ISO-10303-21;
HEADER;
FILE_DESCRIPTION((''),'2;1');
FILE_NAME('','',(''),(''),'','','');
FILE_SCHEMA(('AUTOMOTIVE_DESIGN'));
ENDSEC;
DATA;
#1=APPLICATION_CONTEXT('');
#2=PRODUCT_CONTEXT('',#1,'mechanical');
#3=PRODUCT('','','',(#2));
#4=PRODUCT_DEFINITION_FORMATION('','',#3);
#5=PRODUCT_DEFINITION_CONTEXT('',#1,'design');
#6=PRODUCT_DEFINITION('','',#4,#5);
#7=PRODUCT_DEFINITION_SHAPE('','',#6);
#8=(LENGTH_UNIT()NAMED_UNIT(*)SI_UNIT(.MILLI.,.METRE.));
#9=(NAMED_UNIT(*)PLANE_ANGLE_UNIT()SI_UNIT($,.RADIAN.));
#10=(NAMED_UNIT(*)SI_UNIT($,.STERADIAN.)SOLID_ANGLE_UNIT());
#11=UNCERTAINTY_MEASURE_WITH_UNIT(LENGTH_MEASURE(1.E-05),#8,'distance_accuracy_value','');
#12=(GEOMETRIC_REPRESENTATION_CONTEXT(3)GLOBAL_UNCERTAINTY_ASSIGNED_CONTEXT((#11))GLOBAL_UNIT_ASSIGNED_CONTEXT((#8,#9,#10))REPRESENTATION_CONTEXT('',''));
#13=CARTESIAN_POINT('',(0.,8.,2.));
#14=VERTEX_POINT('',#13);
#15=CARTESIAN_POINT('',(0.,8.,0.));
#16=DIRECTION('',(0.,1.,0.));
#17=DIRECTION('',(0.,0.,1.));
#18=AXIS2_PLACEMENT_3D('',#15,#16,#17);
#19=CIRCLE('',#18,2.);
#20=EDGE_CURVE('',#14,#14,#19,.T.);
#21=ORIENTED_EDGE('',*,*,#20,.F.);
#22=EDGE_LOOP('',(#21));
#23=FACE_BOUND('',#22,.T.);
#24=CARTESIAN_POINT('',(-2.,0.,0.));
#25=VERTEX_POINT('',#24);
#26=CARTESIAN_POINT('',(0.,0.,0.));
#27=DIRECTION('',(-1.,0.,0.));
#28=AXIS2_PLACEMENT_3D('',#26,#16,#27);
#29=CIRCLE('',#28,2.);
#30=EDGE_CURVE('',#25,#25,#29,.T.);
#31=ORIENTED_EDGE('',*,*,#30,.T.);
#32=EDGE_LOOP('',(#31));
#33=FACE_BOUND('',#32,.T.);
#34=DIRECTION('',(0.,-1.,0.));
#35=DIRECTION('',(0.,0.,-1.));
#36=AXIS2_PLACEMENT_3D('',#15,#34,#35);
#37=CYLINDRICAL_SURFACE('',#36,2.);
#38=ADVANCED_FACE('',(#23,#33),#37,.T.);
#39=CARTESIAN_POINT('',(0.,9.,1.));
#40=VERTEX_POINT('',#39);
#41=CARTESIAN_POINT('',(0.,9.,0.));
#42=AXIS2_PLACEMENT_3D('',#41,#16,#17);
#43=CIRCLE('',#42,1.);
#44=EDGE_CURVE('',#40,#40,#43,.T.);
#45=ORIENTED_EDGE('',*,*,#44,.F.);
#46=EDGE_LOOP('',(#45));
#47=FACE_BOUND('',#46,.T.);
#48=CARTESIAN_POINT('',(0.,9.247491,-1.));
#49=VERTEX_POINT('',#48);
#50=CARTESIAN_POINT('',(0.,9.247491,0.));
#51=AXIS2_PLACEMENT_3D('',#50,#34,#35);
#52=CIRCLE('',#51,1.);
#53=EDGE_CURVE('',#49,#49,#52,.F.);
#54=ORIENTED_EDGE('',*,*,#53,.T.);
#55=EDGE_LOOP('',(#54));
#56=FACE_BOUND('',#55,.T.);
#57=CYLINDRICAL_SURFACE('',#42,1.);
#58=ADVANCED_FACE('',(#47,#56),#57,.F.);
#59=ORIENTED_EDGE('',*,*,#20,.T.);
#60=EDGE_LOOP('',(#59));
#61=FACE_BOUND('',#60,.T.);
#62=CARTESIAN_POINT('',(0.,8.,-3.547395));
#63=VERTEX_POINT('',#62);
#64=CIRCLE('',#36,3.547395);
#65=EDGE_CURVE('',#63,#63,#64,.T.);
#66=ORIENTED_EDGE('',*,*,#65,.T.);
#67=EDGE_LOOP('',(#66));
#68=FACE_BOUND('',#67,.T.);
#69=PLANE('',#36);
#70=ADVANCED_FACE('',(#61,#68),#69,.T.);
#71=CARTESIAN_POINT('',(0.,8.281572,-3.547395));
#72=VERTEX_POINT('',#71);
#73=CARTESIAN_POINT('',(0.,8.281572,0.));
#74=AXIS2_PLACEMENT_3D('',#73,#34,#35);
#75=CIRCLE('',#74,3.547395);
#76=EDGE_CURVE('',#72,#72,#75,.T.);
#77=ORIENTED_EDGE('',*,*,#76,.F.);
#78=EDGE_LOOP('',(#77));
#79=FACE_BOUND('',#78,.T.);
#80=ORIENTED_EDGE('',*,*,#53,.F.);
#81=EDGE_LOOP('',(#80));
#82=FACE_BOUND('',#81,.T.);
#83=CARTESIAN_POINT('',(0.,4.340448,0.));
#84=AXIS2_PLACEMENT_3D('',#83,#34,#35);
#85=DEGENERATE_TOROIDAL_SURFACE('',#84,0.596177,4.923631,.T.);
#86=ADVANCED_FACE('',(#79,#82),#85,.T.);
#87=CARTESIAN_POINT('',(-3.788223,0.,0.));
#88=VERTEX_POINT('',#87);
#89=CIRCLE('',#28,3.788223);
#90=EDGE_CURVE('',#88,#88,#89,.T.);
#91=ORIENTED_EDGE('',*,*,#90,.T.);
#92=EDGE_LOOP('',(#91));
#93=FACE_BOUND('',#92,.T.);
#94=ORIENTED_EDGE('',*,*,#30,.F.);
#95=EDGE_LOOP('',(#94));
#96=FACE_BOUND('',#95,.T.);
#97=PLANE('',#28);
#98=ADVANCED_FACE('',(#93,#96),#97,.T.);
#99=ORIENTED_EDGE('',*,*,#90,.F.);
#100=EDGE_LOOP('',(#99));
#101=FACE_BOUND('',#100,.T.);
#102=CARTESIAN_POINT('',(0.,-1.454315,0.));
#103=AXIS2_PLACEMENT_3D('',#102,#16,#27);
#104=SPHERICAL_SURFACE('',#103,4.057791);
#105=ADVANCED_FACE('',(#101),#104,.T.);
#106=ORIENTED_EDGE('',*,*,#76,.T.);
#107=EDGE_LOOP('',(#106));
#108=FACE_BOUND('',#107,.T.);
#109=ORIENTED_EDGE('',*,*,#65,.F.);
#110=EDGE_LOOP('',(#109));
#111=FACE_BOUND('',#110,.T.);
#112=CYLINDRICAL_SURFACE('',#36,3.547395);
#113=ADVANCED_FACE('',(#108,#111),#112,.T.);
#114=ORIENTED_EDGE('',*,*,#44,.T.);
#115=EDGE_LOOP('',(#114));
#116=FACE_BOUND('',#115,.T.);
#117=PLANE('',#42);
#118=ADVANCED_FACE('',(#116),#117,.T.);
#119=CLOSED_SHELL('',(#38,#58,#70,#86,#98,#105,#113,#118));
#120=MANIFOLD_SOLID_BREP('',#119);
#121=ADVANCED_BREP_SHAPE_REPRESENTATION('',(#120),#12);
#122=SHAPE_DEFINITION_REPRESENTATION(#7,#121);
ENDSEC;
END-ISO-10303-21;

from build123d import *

# Parameters (mm, degrees)
SKETCH1_R           = 2
BOSS_EXTRUDE1_DEPTH = 8
CUT_EXTRUDE1_START  = 11
SKETCH4_R           = 1
CUT_EXTRUDE1_DEPTH  = 2


with BuildPart() as part:
    # Sketch1 → Boss-Extrude1 (new body)
    with BuildSketch(Plane(origin=(0, 0, 0), x_dir=(1, 0, 0), z_dir=(0, 1, 0))):
        with Locations(Location((0, 0, 0), (0, 0, 270))):
            Circle(SKETCH1_R)
    extrude(amount=BOSS_EXTRUDE1_DEPTH)

    # Sketch2 → Revolve1 (revolve)
    with BuildSketch(Plane.XY):
        with BuildLine():
            Line((0, 0), (-3.78822299, 0))
            ThreePointArc((-3.78822299, 0), (-3.344172104, -3.752614622), (0, -5.512106206))
            Line((0, -5.512106206), (0, 0))
        make_face()
    revolve(axis=Axis((0, 0, 0), (0, -1, 0)))

    # Sketch3 → Revolve2 (revolve)
    with BuildSketch(Plane.XY):
        with BuildLine():
            ThreePointArc((-3.547394753, 8.281571529), (-1.865198603, 9.097729481), (0, 9.227851973))
            Line((0, 9.227851973), (0, 8))
            Line((0, 8), (-3.547394753, 8))
            Line((-3.547394753, 8), (-3.547394753, 8.281571529))
        make_face()
    revolve(axis=Axis((0, 8, 0), (0, 1, 0)))

    # Sketch4 → Cut-Extrude1 (cut)
    with BuildSketch(Plane(origin=(0, 0, 0), x_dir=(1, 0, 0), z_dir=(0, 1, 0)).offset(CUT_EXTRUDE1_START)):
        with Locations(Location((0, 0, 0), (0, 0, 270))):
            Circle(SKETCH4_R)
    extrude(amount=-CUT_EXTRUDE1_DEPTH, mode=Mode.SUBTRACT)


solid = part.part
